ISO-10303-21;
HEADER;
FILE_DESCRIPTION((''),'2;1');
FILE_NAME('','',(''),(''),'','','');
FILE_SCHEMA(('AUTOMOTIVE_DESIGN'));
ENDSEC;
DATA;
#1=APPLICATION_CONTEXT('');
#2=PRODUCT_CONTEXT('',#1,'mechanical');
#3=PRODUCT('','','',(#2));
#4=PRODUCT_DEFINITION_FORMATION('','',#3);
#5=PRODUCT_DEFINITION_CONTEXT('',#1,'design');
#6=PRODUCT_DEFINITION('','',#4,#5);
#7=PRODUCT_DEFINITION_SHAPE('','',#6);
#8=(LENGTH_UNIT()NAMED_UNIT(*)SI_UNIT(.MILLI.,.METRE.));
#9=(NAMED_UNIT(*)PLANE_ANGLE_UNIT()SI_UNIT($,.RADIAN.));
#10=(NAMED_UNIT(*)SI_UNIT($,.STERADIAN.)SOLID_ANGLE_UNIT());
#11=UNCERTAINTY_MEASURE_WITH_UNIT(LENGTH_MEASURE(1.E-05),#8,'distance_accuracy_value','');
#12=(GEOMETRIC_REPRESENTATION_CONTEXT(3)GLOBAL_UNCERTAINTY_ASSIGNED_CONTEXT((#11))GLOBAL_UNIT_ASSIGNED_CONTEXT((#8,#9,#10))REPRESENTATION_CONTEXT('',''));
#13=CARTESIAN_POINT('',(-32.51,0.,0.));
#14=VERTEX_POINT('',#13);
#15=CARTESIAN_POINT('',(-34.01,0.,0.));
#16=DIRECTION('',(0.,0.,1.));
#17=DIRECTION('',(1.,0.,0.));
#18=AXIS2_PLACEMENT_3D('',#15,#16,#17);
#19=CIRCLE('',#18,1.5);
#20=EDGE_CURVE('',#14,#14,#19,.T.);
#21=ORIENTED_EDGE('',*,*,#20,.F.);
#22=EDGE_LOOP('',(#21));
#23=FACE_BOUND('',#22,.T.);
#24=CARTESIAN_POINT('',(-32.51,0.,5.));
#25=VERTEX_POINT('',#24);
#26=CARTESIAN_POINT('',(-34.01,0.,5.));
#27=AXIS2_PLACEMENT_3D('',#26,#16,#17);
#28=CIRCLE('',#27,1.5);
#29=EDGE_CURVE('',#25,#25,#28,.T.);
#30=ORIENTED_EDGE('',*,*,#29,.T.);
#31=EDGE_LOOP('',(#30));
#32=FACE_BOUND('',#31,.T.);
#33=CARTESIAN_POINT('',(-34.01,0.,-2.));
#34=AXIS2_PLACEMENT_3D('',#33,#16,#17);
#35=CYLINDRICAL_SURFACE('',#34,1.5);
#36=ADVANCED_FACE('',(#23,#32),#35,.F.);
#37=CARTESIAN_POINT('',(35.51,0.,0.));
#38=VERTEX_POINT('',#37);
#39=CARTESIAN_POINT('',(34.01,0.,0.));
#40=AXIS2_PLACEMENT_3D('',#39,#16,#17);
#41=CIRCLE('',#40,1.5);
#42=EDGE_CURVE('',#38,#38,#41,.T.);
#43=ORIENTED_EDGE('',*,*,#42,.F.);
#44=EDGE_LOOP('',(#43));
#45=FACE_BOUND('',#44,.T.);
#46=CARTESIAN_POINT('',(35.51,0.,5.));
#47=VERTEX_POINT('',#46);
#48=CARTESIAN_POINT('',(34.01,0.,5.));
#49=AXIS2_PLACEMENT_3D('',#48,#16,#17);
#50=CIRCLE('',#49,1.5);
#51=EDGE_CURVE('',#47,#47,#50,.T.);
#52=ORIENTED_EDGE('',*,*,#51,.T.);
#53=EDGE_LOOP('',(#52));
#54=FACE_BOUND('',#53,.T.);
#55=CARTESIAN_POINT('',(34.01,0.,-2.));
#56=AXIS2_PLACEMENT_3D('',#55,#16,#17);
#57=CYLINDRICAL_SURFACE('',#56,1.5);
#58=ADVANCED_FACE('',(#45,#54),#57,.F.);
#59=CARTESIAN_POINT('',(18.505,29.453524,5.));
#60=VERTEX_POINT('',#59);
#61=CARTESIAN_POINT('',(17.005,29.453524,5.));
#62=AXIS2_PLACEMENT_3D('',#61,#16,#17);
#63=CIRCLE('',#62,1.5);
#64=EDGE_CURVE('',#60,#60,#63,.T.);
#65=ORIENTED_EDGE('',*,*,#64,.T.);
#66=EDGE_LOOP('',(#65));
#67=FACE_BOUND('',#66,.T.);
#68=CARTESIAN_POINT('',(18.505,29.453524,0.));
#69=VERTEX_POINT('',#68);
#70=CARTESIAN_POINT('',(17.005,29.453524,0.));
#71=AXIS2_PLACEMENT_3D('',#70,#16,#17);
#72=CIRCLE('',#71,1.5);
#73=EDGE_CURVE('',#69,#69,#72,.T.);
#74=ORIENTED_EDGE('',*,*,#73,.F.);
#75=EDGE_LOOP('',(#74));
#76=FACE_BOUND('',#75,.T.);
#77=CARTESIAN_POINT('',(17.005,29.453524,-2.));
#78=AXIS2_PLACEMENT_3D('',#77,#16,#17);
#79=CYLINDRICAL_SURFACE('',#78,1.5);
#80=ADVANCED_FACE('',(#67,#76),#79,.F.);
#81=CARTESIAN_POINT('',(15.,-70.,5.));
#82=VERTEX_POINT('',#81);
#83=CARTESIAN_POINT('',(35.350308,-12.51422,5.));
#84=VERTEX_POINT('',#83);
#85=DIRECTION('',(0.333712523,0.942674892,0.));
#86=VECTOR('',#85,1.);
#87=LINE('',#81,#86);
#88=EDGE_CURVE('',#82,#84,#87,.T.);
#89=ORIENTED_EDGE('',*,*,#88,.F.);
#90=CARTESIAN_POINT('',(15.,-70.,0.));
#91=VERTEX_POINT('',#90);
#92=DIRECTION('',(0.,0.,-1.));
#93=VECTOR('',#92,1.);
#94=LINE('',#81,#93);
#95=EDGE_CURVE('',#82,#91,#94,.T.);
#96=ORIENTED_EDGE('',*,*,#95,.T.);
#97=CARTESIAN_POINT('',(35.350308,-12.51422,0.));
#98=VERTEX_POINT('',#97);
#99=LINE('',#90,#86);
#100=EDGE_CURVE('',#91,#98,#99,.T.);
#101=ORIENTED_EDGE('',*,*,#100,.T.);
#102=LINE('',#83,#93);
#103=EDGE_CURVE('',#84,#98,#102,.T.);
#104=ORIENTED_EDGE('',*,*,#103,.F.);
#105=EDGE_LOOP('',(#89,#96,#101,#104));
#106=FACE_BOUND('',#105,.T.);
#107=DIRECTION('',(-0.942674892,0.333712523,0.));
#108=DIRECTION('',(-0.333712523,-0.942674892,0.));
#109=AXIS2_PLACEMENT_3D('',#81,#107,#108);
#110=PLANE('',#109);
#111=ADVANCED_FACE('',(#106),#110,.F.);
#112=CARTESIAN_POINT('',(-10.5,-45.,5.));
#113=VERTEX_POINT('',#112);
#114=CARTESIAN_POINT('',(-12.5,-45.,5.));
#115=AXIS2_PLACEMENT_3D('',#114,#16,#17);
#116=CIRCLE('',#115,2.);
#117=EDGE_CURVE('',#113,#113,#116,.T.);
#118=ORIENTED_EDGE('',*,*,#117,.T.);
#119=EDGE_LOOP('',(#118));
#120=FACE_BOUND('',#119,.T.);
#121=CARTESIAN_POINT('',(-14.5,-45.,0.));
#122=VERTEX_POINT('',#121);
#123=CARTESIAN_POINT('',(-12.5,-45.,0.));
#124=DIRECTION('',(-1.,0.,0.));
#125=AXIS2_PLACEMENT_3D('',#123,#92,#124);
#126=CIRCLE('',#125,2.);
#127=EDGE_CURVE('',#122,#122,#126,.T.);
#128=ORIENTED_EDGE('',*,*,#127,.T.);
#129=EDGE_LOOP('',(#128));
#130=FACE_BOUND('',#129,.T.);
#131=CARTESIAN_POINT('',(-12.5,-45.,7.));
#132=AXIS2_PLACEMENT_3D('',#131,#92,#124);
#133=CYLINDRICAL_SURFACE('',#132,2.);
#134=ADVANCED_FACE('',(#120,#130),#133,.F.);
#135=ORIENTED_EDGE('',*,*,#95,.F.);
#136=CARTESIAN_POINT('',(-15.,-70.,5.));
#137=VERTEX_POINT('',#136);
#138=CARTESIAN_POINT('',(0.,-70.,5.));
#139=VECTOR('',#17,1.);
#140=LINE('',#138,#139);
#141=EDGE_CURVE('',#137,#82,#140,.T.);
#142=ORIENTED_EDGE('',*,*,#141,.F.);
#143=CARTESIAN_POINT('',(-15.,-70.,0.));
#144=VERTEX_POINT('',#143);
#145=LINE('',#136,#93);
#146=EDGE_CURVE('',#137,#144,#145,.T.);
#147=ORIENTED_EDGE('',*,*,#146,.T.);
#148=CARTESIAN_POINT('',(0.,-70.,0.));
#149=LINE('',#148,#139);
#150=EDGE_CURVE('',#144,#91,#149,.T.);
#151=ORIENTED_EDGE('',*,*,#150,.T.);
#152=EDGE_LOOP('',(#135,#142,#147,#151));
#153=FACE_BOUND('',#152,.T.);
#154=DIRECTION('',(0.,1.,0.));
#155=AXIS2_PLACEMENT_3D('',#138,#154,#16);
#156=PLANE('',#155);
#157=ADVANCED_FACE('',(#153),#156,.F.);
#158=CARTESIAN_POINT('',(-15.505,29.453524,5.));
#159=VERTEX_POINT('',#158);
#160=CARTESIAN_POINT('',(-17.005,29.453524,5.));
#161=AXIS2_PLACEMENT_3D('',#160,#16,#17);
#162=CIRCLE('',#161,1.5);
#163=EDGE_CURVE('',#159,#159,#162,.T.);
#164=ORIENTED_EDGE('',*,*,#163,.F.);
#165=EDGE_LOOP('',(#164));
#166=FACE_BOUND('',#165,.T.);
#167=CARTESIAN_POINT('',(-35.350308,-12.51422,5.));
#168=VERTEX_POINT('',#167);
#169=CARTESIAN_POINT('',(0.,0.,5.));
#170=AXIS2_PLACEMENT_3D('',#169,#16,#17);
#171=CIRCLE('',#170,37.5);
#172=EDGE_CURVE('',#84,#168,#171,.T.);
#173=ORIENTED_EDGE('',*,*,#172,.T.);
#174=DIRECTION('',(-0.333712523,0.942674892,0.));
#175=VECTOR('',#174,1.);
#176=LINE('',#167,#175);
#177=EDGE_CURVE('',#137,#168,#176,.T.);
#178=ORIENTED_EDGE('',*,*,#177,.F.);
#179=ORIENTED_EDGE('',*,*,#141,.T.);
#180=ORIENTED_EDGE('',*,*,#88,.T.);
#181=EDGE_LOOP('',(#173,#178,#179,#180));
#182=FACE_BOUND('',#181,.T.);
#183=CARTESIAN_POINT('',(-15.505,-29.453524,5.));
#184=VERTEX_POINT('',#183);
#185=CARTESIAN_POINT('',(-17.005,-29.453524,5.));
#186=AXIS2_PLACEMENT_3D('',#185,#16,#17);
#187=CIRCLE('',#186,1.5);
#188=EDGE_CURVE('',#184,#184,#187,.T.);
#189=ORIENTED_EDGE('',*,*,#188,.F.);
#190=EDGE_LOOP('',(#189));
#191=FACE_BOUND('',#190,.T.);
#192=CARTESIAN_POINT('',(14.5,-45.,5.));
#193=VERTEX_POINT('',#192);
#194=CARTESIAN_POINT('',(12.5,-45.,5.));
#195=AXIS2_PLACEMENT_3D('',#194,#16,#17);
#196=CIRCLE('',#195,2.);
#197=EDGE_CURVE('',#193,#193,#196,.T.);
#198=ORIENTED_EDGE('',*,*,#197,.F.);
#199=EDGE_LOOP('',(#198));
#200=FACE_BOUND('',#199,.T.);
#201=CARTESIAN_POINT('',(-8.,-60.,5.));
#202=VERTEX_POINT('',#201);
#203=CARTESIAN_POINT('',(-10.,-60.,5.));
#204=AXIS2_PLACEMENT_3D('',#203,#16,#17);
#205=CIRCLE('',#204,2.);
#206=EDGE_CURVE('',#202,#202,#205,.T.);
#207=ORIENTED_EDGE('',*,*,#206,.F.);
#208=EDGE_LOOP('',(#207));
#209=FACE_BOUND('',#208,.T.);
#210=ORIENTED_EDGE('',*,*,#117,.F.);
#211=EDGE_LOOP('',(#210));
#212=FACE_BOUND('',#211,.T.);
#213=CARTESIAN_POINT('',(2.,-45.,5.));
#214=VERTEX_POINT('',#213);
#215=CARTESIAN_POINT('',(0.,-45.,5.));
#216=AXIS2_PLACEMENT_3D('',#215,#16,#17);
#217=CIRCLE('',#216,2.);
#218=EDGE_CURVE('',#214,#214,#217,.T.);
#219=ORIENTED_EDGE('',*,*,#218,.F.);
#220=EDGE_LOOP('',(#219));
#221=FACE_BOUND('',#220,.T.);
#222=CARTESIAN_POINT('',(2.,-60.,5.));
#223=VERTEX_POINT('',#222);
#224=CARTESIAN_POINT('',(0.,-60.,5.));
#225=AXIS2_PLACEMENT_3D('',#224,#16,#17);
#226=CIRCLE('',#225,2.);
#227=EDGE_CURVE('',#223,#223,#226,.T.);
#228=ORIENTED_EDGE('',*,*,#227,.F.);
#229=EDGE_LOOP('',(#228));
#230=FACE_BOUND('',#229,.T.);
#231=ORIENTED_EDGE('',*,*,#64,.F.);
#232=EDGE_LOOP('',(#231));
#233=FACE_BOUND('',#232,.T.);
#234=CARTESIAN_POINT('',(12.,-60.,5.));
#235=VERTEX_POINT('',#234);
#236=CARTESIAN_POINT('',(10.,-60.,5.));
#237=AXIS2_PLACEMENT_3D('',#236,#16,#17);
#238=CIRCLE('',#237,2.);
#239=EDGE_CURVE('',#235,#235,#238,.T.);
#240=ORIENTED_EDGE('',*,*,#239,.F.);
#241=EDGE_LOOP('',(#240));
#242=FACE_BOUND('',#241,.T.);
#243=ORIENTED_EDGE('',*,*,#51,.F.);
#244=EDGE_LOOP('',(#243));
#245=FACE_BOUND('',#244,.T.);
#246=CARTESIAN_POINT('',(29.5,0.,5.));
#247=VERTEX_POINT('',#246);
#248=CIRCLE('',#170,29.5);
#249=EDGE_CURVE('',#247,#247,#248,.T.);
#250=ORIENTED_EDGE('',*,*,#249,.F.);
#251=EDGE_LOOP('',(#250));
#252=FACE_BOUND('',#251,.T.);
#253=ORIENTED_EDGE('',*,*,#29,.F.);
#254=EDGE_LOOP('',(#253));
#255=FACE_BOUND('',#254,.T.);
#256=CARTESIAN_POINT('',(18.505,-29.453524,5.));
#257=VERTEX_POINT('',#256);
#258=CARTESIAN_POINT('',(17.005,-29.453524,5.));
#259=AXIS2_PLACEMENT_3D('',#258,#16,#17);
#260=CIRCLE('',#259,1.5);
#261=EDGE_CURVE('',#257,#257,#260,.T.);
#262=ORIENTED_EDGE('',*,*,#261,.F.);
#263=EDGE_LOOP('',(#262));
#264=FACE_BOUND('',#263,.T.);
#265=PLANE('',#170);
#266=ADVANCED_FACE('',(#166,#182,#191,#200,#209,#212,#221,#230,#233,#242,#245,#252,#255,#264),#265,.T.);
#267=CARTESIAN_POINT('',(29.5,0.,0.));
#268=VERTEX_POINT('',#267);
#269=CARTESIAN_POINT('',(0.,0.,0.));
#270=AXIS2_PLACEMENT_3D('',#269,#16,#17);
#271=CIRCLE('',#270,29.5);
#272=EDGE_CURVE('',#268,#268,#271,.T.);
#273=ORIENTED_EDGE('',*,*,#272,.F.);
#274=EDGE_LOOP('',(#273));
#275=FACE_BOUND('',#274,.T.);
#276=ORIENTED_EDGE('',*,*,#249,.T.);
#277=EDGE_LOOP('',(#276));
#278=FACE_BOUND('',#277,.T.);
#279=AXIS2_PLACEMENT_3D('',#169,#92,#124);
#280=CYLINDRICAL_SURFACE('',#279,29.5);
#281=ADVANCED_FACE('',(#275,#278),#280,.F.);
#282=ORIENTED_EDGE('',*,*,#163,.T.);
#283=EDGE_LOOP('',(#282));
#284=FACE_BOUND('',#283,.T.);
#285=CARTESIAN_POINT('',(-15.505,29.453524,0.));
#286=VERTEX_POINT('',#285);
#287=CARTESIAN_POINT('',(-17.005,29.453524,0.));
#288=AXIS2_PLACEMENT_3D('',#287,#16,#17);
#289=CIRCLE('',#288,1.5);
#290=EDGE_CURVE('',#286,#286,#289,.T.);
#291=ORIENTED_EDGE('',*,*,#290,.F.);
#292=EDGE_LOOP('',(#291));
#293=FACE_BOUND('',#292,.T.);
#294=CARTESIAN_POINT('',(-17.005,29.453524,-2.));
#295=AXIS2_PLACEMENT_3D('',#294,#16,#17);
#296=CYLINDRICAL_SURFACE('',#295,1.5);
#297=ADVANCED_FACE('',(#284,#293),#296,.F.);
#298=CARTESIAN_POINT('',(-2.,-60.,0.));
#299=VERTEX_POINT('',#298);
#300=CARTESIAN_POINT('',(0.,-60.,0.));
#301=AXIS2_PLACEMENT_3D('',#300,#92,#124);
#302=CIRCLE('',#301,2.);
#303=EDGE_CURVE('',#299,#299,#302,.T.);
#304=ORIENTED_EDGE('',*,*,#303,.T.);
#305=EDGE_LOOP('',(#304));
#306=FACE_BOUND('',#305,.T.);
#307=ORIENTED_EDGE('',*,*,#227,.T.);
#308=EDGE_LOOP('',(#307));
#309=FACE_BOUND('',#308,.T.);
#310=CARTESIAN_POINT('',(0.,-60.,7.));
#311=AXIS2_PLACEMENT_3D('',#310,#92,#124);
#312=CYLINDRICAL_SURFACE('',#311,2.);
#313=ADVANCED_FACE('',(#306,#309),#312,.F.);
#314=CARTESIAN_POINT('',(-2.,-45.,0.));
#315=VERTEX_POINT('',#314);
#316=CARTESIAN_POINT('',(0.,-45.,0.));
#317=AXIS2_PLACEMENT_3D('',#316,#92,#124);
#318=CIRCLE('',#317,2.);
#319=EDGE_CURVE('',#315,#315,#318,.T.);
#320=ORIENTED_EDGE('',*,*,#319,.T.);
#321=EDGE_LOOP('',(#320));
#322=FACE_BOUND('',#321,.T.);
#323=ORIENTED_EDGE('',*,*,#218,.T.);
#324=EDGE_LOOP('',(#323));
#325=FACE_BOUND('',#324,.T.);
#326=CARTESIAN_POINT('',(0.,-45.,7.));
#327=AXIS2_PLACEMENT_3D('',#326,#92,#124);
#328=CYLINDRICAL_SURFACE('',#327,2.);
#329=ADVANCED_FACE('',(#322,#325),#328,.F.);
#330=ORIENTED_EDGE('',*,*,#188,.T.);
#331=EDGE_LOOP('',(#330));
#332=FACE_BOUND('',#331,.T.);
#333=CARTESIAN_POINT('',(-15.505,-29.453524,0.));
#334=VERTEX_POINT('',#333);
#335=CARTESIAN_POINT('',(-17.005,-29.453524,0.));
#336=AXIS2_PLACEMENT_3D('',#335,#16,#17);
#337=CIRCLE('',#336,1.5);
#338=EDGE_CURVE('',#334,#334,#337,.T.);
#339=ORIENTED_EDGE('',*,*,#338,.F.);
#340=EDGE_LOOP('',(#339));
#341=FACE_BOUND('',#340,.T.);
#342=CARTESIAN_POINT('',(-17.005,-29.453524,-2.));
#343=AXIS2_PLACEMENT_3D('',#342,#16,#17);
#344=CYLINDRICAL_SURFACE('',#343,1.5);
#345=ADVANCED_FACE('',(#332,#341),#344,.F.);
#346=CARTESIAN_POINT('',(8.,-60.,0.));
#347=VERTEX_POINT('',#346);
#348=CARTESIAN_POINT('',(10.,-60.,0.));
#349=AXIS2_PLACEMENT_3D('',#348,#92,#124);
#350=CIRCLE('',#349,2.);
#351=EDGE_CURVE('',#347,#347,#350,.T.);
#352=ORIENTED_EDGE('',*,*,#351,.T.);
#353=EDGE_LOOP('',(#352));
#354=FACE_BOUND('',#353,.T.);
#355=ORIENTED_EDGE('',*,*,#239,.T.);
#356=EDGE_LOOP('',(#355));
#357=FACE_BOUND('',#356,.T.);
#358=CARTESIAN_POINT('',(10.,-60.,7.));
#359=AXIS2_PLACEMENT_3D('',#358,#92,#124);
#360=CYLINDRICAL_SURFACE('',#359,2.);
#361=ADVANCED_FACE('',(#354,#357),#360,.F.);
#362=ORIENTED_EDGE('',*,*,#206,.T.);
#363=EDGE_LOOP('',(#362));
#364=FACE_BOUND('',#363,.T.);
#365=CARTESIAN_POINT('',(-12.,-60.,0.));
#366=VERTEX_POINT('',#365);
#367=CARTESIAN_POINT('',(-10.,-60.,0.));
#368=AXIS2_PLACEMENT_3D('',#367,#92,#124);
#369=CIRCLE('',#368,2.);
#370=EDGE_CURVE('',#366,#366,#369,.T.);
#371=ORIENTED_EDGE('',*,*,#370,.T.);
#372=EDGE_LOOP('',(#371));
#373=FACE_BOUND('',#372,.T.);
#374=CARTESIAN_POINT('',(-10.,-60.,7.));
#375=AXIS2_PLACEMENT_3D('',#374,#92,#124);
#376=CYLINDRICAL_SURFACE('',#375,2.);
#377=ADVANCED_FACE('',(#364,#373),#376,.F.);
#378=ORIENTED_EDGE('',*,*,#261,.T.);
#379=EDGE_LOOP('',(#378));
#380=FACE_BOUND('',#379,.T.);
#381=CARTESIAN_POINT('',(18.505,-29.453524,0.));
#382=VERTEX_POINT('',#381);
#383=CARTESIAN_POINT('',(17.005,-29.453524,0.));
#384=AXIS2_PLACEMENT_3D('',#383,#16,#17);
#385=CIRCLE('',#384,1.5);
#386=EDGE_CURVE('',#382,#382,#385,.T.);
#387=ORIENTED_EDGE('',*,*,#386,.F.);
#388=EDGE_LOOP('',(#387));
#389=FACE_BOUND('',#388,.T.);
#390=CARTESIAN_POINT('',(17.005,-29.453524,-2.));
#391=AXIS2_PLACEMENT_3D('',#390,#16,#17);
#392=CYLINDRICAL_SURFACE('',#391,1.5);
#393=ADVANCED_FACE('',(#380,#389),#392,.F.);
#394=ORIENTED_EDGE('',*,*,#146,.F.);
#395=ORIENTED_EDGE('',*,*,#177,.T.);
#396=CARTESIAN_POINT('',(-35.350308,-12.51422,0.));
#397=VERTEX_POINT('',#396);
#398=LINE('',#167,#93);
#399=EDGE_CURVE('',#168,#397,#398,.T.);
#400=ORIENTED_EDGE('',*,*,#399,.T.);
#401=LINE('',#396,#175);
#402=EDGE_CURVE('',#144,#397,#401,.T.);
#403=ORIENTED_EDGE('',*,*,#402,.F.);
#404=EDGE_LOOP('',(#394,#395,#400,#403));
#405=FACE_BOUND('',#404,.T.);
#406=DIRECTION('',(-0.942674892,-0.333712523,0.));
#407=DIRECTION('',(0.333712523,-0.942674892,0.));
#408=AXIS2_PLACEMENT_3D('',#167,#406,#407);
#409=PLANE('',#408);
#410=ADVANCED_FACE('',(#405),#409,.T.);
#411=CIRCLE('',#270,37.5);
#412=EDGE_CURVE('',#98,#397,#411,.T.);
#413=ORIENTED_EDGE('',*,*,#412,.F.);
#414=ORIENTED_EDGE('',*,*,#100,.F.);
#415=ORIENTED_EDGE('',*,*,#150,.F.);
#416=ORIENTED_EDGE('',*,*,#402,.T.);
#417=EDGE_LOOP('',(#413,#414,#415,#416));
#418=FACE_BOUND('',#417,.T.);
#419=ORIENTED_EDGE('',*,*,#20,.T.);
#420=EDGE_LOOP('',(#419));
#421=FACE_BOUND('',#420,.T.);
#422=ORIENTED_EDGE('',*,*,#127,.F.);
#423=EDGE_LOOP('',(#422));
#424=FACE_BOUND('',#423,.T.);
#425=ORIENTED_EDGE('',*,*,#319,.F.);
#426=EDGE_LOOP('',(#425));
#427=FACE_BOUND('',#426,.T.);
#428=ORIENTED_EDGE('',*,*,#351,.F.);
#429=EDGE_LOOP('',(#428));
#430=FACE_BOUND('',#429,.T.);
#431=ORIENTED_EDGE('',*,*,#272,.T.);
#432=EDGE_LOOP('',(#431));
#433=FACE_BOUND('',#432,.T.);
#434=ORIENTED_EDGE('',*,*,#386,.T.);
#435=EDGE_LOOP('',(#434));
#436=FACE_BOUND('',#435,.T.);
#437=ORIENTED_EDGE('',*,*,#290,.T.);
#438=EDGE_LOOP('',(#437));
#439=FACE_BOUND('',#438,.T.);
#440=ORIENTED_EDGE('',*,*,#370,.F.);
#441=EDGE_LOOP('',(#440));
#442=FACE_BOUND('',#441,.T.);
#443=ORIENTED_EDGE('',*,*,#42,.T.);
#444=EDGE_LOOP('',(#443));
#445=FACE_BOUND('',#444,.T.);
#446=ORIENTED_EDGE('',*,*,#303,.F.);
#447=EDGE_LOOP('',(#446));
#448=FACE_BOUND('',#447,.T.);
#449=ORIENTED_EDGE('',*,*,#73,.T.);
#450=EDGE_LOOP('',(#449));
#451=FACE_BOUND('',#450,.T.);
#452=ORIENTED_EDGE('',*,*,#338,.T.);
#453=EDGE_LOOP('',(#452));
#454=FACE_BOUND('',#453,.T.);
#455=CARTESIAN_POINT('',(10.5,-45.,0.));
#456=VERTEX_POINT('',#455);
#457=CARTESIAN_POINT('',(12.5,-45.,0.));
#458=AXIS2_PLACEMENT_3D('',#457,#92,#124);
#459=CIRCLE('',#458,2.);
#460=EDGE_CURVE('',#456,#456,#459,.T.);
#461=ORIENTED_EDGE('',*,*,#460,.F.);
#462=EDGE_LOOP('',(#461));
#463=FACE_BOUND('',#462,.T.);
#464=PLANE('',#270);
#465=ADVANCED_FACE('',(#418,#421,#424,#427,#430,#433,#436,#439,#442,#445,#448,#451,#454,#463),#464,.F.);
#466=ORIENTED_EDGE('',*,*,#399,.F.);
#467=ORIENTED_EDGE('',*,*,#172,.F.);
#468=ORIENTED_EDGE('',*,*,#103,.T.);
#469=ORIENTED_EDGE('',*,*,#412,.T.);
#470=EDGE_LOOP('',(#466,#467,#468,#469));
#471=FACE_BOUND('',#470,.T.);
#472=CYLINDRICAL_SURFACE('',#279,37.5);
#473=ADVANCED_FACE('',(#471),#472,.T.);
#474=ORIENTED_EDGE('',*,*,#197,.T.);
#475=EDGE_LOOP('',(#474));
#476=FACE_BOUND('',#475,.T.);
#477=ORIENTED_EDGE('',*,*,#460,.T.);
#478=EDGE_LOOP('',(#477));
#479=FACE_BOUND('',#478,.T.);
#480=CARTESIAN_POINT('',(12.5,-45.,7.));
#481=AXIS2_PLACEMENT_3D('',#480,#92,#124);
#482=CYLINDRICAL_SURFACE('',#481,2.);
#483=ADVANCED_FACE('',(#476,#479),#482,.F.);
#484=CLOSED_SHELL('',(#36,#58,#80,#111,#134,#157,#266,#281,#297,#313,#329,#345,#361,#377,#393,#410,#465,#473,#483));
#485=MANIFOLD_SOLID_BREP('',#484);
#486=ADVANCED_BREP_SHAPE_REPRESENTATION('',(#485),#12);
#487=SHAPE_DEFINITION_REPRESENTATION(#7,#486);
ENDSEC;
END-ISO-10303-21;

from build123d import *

# Parameters (mm, degrees)
SKETCH1_R           = 37.5
SKETCH1_R_2         = 29.5
BOSS_EXTRUDE1_DEPTH = 5
SKETCH12_R          = 2
CUT_EXTRUDE8_DEPTH  = 7
SKETCH9_R           = 1.5
CUT_EXTRUDE5_DEPTH  = 7


with BuildPart() as part:
    # Sketch1 → Boss-Extrude1 (new body)
    # profile 1 of 2: a face of its own
    with BuildSketch(Plane.XY):
        Circle(SKETCH1_R)
        Circle(SKETCH1_R_2, mode=Mode.SUBTRACT)
    # profile 2 of 2: a face of its own
    with BuildSketch(Plane.XY):
        with BuildLine():
            Line((-15, -70), (15, -70))
            Line((15, -70), (35.350308448, -12.514219618))
            ThreePointArc((35.350308448, -12.514219618), (0, -37.5), (-35.350308448, -12.514219618))
            Line((-35.350308448, -12.514219618), (-15, -70))
        make_face()
    extrude(amount=BOSS_EXTRUDE1_DEPTH)

    # Sketch12 → Cut-Extrude8 (cut)
    with BuildSketch(Plane(origin=(0, 0, 0), x_dir=(-1, 0, 0), z_dir=(0, 0, -1))):
        with Locations((-12.5, -45)):
            Circle(SKETCH12_R)
        with Locations((12.5, -45)):
            Circle(SKETCH12_R)
        with Locations((-10, -60)):
            Circle(SKETCH12_R)
        with Locations((10, -60)):
            Circle(SKETCH12_R)
        with Locations((0, -45)):
            Circle(SKETCH12_R)
        with Locations((0, -60)):
            Circle(SKETCH12_R)
    extrude(amount=-CUT_EXTRUDE8_DEPTH, mode=Mode.SUBTRACT)

    # Sketch9 → Cut-Extrude5 (cut)
    with BuildSketch(Plane.XY.offset(5)):
        with Locations((17.005, 29.453523983)):
            Circle(SKETCH9_R)
        with Locations((34.01, 0)):
            Circle(SKETCH9_R)
        with Locations((17.005, -29.453523983)):
            Circle(SKETCH9_R)
        with Locations((-17.005, -29.453523983)):
            Circle(SKETCH9_R)
        with Locations((-34.01, 0)):
            Circle(SKETCH9_R)
        with Locations((-17.005, 29.453523983)):
            Circle(SKETCH9_R)
    extrude(amount=-CUT_EXTRUDE5_DEPTH, mode=Mode.SUBTRACT)


solid = part.part
